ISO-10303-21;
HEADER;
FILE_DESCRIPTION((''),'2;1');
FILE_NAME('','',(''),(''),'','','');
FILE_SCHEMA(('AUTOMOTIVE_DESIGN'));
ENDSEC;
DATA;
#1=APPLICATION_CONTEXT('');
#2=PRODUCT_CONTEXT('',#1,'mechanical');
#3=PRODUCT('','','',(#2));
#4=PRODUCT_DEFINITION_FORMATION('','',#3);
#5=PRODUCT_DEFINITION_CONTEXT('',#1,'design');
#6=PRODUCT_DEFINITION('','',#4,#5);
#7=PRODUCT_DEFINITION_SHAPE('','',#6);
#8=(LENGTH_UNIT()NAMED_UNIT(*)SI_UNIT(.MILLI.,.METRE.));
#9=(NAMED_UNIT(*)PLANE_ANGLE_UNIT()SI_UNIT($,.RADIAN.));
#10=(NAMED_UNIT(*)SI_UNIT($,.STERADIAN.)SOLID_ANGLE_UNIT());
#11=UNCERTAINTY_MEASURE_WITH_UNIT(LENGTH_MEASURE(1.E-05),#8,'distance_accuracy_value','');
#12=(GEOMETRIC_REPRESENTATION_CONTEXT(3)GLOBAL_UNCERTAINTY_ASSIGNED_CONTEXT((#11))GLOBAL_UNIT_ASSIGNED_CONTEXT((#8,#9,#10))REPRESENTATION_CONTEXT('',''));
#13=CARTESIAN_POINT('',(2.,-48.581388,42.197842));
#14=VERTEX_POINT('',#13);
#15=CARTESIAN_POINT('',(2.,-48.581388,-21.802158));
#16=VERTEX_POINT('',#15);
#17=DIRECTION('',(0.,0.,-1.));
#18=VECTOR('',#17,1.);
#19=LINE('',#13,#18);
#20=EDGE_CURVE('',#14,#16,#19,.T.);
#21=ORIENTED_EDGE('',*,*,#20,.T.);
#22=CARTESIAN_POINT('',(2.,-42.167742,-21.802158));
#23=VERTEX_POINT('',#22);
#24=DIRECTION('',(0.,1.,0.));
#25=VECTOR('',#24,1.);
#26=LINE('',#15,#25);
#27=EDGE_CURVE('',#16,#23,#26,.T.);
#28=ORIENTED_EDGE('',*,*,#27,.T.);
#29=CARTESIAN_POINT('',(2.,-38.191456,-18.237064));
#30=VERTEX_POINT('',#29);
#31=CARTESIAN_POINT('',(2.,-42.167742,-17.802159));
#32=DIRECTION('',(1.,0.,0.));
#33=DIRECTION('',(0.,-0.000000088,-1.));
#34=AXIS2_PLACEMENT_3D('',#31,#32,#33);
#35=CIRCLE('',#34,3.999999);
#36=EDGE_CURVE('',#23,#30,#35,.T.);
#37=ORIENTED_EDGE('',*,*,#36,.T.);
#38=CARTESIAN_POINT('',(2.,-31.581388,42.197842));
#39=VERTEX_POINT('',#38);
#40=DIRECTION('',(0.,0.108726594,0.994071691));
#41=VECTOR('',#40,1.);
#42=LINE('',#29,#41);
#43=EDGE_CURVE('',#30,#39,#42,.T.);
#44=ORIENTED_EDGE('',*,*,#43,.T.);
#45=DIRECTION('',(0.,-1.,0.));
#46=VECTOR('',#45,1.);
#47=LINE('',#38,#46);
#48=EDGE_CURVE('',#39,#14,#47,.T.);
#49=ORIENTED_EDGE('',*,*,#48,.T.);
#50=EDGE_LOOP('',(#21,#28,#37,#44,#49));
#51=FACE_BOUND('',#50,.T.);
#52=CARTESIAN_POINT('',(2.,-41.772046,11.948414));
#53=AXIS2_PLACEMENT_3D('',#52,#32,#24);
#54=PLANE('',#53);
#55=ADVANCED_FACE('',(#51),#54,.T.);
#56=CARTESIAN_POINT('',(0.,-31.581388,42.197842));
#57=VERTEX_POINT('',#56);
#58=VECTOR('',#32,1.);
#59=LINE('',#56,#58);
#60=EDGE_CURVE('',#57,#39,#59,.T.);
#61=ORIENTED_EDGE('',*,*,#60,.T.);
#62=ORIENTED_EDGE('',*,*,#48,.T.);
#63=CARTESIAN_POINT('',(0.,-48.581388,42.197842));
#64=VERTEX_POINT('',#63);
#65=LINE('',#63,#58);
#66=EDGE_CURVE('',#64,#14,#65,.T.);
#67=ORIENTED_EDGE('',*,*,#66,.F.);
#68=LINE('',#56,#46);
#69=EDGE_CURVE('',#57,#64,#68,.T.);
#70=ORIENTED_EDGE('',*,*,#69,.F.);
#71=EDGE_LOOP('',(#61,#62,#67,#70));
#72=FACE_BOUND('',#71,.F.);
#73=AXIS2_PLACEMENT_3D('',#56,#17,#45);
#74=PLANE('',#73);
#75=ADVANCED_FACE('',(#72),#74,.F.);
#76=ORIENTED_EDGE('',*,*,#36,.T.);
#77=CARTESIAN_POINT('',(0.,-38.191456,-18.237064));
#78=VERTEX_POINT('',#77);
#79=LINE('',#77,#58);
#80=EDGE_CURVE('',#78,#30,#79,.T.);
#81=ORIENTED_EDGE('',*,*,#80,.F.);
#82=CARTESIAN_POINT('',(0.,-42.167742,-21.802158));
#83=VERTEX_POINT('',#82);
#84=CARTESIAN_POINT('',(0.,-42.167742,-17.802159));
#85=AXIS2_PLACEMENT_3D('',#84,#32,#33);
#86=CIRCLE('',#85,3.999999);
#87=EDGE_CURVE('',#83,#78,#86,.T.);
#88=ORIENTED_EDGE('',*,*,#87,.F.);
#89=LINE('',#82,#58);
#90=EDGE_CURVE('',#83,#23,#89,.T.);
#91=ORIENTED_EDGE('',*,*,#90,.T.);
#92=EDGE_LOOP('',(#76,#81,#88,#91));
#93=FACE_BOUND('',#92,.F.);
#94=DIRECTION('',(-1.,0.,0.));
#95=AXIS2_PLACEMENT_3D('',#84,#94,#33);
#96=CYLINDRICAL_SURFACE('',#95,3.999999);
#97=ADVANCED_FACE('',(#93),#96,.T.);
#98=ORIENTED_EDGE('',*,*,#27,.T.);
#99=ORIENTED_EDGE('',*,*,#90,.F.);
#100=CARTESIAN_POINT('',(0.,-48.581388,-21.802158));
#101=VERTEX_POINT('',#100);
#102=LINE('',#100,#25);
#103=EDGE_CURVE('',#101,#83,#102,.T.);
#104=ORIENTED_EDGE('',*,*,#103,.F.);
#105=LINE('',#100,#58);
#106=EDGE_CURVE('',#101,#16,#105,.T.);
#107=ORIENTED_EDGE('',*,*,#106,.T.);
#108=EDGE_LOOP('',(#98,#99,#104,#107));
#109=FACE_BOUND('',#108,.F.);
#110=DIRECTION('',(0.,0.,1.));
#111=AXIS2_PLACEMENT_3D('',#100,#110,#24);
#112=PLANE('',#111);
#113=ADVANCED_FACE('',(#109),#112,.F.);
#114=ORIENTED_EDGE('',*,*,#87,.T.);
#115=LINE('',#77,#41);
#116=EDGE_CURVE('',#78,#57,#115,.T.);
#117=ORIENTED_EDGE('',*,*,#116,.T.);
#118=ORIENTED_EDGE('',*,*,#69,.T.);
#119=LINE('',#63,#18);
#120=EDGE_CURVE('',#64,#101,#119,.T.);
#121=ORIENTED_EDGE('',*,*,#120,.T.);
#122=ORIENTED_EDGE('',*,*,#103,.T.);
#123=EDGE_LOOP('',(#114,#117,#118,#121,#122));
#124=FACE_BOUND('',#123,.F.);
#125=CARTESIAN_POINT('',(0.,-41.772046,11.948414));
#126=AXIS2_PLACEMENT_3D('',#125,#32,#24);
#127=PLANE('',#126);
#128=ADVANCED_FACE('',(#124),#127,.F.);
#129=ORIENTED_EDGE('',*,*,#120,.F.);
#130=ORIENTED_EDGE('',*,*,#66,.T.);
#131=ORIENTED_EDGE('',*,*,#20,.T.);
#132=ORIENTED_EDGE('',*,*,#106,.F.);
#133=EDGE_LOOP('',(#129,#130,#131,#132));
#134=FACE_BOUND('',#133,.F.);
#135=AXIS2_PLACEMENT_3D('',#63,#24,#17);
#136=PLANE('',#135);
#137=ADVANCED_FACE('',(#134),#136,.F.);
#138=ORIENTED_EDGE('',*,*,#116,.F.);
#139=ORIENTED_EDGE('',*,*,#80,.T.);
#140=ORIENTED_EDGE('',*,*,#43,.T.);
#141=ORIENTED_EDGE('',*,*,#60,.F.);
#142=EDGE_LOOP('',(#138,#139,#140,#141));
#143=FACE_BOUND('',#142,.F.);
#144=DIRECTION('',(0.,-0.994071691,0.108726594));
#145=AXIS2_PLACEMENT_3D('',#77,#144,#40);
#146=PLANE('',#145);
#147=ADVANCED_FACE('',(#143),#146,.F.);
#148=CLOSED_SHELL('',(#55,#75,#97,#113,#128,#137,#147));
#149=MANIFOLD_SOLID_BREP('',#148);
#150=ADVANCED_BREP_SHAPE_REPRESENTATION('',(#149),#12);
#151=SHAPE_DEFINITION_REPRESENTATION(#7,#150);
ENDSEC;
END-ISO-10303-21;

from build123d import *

# Parameters (mm, degrees)
F1_DEPTH = 2


with BuildPart() as f1:
    # F0 (on Right) → F1 (new body)
    with BuildSketch(Plane.YZ):
        with BuildLine():
            Line((-31.581388, 42.197842), (-48.581388, 42.197842))
            Line((-48.581388, 42.197842), (-48.581388, -21.802158))
            Line((-48.581388, -21.802158), (-42.167742, -21.802158))
            ThreePointArc((-42.167742, -21.802158), (-39.497501, -20.780381), (-38.191456, -18.237064))
            Line((-38.191456, -18.237064), (-31.581388, 42.197842))
        make_face()
    extrude(amount=F1_DEPTH)


solid = f1.part
